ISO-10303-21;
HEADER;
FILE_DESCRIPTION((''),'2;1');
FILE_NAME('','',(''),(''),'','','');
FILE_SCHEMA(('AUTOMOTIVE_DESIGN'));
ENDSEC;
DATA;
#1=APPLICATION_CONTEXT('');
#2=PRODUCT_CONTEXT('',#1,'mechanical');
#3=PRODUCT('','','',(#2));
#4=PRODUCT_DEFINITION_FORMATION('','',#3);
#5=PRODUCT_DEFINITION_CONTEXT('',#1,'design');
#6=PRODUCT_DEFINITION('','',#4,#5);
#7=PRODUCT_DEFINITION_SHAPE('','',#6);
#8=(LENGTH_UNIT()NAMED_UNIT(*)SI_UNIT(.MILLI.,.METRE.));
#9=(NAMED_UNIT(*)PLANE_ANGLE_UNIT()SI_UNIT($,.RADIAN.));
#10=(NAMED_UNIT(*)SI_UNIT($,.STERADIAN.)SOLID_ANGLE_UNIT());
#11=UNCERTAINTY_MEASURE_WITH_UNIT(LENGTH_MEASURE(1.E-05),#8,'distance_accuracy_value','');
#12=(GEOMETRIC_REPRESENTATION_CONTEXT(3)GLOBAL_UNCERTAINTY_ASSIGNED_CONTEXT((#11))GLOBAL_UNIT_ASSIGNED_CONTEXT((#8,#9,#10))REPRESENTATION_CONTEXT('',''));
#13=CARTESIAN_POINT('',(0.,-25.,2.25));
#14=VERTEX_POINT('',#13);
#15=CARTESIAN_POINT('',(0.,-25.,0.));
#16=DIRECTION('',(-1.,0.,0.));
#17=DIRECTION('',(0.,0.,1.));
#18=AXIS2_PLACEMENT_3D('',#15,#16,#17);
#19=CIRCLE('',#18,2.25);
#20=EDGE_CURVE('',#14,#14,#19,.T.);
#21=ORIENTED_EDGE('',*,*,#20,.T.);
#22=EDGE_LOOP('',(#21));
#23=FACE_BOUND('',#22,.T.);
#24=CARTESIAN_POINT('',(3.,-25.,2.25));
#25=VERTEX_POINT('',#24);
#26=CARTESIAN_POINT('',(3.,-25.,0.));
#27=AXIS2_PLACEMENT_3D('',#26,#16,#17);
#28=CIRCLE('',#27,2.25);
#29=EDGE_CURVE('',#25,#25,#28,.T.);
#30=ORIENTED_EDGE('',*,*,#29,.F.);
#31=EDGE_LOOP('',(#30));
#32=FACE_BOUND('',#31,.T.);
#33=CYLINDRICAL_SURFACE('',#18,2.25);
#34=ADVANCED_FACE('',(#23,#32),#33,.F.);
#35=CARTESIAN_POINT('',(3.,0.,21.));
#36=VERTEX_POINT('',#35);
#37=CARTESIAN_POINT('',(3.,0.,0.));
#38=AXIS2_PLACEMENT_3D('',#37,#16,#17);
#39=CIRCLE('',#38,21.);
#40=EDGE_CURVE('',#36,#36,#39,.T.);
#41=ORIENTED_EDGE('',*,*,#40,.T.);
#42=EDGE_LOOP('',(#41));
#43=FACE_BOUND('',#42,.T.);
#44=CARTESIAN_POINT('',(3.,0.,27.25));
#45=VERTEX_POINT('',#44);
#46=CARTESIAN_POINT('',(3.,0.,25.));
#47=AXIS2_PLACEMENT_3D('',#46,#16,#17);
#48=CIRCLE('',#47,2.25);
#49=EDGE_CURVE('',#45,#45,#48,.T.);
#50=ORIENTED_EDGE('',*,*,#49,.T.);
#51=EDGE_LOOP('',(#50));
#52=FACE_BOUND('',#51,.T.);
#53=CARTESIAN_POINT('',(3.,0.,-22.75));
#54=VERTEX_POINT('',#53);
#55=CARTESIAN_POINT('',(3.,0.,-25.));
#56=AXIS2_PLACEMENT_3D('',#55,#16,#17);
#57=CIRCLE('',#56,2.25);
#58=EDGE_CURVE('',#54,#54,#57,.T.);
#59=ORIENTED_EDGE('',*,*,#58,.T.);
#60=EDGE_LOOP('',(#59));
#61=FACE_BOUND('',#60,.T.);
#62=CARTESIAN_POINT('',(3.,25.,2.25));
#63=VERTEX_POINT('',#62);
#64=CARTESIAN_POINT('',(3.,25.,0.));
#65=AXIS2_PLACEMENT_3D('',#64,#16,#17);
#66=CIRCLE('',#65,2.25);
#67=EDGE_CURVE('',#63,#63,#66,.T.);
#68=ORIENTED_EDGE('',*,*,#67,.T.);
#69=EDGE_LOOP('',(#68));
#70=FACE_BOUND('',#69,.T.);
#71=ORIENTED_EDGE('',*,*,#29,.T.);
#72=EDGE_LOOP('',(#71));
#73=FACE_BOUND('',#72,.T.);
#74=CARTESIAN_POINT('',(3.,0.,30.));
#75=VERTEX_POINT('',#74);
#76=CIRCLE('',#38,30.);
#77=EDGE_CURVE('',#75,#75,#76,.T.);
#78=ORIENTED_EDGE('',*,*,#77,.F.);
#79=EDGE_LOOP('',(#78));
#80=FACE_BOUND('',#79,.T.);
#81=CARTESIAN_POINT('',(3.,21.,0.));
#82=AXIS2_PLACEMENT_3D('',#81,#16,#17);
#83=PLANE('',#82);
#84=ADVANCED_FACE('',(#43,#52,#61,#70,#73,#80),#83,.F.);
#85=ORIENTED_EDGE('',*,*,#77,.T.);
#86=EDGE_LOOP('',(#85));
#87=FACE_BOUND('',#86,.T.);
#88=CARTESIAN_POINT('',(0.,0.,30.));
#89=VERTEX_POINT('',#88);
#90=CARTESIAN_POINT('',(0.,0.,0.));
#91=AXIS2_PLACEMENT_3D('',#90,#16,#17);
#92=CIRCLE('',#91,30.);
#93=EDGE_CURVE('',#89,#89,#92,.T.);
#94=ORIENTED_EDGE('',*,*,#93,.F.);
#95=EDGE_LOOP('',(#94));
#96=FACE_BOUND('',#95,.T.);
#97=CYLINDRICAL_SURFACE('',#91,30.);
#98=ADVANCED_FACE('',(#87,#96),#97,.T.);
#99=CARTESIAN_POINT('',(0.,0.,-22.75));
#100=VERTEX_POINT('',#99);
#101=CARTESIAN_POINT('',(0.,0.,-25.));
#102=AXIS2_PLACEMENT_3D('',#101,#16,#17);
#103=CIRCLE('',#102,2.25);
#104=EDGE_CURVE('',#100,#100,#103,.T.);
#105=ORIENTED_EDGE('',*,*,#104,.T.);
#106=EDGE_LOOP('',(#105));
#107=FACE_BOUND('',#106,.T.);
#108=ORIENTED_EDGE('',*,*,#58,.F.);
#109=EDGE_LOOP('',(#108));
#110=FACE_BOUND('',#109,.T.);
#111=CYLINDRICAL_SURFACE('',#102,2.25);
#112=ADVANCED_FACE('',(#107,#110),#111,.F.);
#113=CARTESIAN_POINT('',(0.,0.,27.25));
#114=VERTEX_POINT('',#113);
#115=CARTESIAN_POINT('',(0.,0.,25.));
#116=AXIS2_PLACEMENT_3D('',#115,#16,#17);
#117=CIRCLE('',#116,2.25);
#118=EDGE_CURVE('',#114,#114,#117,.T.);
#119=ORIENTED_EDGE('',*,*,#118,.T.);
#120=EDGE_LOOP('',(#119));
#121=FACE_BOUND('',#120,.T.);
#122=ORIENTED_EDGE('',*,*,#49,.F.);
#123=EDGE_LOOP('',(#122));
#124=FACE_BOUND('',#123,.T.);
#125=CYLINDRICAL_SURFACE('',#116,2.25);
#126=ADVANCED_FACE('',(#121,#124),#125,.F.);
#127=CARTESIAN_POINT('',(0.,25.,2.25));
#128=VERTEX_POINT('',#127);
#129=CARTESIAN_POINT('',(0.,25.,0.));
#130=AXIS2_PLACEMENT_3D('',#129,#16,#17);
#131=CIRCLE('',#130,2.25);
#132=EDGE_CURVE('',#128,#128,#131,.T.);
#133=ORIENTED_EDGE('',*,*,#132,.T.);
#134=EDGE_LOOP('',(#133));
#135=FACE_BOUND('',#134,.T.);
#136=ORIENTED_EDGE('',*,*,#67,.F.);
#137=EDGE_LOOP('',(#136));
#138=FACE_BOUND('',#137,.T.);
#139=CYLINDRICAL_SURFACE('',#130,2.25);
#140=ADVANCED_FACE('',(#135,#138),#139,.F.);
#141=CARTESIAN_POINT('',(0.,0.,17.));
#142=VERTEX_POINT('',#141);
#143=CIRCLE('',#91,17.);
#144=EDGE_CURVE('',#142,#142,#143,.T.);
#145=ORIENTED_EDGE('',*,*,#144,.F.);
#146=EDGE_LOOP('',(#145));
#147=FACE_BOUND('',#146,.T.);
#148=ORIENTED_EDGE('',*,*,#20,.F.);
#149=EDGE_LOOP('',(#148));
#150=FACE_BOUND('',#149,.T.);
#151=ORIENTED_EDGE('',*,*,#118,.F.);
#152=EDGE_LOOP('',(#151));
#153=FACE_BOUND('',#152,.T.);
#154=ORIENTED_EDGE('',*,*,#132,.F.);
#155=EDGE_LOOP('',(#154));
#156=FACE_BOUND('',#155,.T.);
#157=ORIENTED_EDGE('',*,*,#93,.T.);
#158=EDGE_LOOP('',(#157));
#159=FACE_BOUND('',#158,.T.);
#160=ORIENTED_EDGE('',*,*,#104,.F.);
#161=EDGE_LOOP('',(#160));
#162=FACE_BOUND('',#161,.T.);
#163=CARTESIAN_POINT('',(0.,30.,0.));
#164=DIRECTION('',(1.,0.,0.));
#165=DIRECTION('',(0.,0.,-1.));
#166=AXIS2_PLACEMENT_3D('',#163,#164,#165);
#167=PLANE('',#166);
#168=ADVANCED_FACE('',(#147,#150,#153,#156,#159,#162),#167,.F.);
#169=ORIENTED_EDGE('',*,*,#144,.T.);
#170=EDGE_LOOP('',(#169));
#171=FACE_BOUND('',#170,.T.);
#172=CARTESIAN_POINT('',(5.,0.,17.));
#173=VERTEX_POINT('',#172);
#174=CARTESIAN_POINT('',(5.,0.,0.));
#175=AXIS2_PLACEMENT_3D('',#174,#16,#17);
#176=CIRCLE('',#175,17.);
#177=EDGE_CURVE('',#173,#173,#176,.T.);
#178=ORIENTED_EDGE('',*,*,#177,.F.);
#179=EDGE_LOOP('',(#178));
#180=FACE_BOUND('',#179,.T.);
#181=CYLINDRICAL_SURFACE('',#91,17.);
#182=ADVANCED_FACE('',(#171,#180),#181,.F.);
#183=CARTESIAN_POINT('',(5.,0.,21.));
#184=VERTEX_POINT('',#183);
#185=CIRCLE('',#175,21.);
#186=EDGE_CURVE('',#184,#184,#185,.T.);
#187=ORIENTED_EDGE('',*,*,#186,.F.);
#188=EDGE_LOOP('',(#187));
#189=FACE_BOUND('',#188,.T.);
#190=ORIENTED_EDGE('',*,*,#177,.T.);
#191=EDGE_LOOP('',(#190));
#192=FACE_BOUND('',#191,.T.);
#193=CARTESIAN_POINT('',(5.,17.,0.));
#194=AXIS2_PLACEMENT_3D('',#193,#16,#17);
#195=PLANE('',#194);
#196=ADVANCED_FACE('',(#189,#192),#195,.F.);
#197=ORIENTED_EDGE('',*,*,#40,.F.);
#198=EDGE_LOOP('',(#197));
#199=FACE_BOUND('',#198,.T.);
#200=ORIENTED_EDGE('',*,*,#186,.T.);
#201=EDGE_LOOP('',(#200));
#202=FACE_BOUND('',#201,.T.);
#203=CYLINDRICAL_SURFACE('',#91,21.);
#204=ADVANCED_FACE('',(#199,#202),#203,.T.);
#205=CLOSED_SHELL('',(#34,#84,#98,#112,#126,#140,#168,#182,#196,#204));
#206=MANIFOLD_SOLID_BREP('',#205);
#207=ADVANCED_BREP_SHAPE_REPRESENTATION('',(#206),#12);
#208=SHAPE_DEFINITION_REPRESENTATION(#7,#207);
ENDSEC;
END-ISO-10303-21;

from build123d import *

# Parameters (mm, degrees)
M4_CLEARANCE_HOLE1_D     = 4.5
M4_CLEARANCE_HOLE1_DEPTH = 3.001
CIRPATTERN1_COUNT        = 4


with BuildPart() as part:
    # Sketch1 → Revolve1 (revolve)
    with BuildSketch(Plane.XY):
        Polygon((0, 17), (5, 17), (5, 21), (3, 21), (3, 30), (0, 30), align=None)
    revolve(axis=Axis((0, 0, 0), (1, 0, 0)))

    # M4 Clearance Hole1
    with Locations(Plane.ZY):
        with Locations((0, 25)):
            m4_clearance_hole1 = Hole(M4_CLEARANCE_HOLE1_D / 2, depth=M4_CLEARANCE_HOLE1_DEPTH)

    # CirPattern1: M4 Clearance Hole1 ×4 about axis
    cirpattern1_axis = Axis((0, 0, 0), (1, 0, 0))
    for i in range(1, CIRPATTERN1_COUNT):
        add(m4_clearance_hole1.rotate(cirpattern1_axis, i * 360 / CIRPATTERN1_COUNT), mode=Mode.SUBTRACT)


solid = part.part
